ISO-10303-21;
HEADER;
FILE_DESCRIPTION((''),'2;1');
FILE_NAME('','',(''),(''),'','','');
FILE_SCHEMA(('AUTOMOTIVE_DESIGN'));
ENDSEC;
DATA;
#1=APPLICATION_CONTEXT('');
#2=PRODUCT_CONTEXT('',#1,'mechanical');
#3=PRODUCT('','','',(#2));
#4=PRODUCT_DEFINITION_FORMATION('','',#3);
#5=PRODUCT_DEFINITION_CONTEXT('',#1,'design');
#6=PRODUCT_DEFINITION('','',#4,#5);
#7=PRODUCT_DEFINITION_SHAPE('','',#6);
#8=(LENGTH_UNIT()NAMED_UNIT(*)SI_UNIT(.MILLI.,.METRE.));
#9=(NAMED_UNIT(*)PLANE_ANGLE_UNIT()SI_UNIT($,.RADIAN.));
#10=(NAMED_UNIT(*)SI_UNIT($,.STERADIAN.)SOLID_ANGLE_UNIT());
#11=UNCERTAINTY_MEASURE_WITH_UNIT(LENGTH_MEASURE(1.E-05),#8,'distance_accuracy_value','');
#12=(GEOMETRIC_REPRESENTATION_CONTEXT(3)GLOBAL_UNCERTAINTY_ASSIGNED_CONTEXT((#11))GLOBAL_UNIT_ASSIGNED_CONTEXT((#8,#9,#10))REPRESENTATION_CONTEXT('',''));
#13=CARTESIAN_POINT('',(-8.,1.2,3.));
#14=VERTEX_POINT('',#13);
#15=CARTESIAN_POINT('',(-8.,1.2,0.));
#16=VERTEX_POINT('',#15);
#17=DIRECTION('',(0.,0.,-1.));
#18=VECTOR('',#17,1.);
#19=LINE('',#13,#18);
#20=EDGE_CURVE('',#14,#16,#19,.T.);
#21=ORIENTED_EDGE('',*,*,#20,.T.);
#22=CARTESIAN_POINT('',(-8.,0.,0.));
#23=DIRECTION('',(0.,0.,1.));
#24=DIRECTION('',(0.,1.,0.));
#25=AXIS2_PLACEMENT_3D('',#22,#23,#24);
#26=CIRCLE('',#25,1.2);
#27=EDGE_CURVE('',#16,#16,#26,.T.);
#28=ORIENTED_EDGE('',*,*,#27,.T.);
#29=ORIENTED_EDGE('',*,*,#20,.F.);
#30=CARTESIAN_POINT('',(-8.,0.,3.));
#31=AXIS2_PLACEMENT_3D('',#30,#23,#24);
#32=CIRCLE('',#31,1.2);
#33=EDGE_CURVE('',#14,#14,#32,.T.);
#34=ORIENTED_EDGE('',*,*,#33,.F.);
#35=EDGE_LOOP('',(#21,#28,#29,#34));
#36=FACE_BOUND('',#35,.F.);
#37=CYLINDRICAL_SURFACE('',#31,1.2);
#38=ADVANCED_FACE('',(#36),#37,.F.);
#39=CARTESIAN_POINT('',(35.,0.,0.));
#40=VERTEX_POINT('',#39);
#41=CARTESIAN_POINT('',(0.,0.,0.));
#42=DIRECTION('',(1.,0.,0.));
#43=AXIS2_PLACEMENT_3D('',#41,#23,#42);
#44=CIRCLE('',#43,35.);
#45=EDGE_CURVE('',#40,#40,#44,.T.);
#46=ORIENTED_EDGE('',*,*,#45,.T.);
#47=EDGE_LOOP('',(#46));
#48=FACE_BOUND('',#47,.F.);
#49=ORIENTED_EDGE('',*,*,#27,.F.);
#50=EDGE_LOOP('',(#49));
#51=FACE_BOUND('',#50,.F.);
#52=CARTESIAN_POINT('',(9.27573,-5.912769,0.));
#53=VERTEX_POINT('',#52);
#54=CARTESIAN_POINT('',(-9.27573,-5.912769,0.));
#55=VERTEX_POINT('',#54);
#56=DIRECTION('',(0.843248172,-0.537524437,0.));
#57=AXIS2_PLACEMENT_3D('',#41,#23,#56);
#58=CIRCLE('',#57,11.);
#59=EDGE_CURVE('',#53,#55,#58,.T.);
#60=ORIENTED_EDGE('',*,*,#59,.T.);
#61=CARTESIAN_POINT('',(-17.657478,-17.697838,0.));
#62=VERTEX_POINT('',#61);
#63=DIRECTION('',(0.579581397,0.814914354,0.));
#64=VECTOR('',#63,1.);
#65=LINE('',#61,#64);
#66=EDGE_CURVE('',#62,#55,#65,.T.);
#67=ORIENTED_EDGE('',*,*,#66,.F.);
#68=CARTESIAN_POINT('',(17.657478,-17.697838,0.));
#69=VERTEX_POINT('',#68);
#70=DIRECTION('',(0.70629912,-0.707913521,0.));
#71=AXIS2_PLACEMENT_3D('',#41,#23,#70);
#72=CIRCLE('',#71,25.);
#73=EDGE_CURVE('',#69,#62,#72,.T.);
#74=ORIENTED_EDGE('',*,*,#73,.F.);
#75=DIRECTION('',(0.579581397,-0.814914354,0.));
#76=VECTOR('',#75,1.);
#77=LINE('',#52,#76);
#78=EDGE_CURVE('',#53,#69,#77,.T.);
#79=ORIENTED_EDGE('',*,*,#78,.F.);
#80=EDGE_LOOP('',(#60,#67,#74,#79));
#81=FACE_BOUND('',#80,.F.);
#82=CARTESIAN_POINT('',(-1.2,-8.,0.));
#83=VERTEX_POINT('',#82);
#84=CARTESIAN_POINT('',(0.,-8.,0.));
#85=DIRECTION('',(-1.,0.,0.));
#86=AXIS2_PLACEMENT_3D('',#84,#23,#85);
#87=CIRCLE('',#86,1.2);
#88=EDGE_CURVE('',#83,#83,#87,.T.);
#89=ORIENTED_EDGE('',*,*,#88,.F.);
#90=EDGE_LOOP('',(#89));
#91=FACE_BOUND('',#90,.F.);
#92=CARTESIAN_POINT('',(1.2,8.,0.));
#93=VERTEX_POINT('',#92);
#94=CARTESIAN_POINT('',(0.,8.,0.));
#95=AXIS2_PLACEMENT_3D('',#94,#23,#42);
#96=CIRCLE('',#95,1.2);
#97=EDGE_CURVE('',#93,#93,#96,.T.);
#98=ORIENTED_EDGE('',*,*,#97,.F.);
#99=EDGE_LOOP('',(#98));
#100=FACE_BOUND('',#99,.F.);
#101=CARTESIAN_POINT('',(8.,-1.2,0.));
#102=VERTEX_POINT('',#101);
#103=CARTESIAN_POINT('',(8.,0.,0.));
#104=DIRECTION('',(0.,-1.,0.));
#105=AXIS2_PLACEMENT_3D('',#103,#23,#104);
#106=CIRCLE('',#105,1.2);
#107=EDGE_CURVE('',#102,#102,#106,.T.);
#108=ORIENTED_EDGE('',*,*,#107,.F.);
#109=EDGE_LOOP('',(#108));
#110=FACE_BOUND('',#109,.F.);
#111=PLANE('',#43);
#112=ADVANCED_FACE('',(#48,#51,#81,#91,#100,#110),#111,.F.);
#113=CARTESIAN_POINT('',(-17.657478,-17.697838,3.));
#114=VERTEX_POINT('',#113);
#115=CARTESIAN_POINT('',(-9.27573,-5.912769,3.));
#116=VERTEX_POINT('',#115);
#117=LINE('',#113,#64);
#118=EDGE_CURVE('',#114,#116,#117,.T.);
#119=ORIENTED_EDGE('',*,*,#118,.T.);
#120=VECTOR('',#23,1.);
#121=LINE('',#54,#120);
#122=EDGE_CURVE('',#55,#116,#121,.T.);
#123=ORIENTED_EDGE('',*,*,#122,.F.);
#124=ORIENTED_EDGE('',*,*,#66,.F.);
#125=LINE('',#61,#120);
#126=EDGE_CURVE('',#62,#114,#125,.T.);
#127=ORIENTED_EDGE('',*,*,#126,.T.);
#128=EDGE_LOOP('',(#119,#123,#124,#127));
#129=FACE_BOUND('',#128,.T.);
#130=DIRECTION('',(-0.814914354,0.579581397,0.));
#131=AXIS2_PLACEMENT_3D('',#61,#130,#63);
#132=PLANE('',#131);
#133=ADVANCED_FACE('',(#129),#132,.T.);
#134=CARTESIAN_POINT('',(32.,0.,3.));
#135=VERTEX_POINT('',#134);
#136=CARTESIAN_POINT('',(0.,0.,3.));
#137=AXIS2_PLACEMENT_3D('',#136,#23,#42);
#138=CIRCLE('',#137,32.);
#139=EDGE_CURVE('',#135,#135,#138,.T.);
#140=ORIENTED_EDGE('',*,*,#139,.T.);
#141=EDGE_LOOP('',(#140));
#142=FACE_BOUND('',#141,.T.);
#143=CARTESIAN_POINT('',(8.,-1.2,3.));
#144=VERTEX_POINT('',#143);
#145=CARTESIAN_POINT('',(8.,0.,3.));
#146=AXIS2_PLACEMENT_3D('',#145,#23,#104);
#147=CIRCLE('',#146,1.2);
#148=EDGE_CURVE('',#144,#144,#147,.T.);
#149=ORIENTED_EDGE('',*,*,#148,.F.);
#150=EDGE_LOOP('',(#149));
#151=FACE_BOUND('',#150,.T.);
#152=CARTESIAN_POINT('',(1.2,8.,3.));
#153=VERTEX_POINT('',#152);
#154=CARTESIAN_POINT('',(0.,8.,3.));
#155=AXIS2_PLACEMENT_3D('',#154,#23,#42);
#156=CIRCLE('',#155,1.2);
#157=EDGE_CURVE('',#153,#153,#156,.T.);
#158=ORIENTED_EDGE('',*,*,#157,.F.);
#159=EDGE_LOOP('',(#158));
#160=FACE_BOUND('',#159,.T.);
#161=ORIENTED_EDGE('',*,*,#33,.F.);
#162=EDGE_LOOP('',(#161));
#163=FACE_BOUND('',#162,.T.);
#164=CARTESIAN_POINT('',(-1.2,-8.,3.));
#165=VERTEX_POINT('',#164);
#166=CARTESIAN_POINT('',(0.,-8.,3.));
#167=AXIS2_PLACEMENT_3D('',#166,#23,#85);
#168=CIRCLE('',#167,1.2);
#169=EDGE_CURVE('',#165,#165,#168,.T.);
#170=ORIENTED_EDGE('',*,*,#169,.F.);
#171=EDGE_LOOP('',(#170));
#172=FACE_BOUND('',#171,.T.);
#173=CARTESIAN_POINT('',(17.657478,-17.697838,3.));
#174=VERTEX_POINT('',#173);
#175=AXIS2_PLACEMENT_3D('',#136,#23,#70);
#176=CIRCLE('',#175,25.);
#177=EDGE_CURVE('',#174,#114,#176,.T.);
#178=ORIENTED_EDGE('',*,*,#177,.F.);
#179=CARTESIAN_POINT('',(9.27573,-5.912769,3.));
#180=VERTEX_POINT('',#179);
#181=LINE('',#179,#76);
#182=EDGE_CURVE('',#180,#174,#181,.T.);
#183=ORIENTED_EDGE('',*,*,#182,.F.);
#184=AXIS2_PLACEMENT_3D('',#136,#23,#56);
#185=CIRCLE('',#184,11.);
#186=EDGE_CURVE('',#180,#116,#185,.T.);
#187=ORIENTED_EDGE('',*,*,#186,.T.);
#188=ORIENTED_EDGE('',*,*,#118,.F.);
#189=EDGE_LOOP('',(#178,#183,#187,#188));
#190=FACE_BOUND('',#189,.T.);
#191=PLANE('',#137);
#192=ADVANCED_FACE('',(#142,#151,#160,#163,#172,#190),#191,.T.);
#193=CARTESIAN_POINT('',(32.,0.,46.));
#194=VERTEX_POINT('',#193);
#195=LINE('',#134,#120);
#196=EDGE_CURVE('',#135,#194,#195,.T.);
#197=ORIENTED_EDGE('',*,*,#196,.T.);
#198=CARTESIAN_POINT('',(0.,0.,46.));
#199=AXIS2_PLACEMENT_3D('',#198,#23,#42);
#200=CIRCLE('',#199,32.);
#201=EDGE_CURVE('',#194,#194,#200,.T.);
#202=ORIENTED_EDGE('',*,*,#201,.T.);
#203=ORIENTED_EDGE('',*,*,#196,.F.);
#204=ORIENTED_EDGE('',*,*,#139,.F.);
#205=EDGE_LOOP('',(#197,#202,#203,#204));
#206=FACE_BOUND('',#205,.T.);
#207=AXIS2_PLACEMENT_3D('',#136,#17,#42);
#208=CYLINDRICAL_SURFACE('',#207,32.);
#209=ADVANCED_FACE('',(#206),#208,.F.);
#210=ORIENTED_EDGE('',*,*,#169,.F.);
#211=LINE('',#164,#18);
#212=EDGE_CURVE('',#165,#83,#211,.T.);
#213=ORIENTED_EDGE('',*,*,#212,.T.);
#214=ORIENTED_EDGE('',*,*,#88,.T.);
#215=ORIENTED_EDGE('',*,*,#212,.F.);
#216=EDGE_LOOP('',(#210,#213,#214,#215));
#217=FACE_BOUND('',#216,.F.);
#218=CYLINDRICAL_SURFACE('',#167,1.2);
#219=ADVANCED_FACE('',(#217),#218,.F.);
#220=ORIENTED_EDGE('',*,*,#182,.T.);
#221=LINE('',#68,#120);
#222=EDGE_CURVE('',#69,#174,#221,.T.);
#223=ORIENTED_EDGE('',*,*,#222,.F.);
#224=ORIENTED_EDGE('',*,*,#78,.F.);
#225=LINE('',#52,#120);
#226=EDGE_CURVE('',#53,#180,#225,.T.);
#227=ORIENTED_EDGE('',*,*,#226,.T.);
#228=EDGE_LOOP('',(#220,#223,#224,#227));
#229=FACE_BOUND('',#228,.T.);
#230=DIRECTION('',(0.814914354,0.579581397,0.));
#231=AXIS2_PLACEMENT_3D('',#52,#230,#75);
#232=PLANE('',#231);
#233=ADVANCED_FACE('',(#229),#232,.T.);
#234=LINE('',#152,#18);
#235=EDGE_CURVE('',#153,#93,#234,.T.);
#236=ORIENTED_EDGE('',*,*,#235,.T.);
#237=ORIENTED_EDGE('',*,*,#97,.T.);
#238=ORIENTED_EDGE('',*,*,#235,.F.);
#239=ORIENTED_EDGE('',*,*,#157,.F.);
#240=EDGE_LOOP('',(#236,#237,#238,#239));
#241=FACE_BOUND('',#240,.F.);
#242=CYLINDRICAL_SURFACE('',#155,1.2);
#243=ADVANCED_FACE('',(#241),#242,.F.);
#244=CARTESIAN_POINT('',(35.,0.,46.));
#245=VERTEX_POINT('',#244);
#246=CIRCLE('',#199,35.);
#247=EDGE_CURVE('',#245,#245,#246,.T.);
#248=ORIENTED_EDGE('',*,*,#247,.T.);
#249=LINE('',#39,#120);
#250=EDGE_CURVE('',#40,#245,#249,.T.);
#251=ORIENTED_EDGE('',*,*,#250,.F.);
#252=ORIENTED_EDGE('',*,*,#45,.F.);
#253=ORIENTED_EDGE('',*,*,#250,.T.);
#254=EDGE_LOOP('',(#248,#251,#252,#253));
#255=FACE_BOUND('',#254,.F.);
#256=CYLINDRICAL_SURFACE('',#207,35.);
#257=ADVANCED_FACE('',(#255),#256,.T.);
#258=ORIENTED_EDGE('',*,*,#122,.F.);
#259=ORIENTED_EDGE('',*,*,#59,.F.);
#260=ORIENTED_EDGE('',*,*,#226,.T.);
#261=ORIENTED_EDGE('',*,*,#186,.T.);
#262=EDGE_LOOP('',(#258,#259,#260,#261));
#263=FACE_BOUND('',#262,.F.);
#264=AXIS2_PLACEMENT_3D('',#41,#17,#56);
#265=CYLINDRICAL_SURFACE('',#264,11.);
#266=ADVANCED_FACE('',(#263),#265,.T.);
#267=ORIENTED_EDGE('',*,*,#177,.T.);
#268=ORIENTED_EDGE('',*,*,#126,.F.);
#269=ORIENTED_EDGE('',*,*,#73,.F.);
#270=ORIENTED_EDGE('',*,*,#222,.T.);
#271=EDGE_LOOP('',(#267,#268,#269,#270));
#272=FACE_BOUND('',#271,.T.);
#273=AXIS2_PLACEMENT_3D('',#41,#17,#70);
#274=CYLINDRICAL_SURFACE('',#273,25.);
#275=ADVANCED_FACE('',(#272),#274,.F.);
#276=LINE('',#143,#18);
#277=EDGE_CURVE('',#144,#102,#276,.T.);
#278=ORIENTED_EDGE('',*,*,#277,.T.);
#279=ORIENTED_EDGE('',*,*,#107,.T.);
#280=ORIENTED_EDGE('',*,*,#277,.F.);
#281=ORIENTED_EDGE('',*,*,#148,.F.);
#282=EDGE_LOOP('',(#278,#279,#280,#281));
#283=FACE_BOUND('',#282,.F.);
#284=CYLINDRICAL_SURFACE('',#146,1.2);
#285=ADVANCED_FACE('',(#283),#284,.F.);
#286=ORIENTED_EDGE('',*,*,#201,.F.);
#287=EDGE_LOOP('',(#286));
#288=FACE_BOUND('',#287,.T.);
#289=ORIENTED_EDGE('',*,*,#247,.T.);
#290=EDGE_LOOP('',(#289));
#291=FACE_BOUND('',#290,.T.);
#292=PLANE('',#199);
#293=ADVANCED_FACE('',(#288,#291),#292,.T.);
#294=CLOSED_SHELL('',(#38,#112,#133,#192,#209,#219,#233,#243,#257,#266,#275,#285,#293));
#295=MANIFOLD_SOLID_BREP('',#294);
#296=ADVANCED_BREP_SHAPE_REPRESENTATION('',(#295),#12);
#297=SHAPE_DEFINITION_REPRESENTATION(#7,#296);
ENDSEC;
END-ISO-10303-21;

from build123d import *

# Parameters (mm, degrees)
SKETCH_R           = 35
PAD_DEPTH          = 3
SKETCH001_R        = 1.2
HOLE_DEPTH         = 201.081792
POLARPATTERN_COUNT = 4
SKETCH002_R        = 35
SKETCH002_R_2      = 32
PAD001_DEPTH       = 43


with BuildPart() as part:
    # Sketch → Pad (new body)
    with BuildSketch(Plane.XY):
        Circle(SKETCH_R)
        with BuildLine():
            ThreePointArc((9.27573, -5.912769), (0, 11), (-9.27573, -5.912769))
            Line((-17.657478, -17.697838), (-9.27573, -5.912769))
            ThreePointArc((17.657478, -17.697838), (0, 25), (-17.657478, -17.697838))
            Line((9.27573, -5.912769), (17.657478, -17.697838))
        make_face(mode=Mode.SUBTRACT)
    extrude(amount=PAD_DEPTH)

    # Sketch001 (on Face7 of Pad) → Hole (cut, through all)
    with BuildSketch(Plane.XY.offset(3)):
        with Locations((0, 8)):
            Circle(SKETCH001_R)
    hole = extrude(amount=-HOLE_DEPTH, mode=Mode.SUBTRACT)

    # PolarPattern: Hole ×4 about axis
    polarpattern_axis = Axis((0, 0, 0), (0, 0, 1))
    for i in range(1, POLARPATTERN_COUNT):
        add(hole.rotate(polarpattern_axis, i * 360 / POLARPATTERN_COUNT), mode=Mode.SUBTRACT)

    # Sketch002 (on Face3 of PolarPattern) → Pad001 (join)
    with BuildSketch(Plane.XY.offset(3)):
        Circle(SKETCH002_R)
        Circle(SKETCH002_R_2, mode=Mode.SUBTRACT)
    extrude(amount=PAD001_DEPTH)


solid = part.part
